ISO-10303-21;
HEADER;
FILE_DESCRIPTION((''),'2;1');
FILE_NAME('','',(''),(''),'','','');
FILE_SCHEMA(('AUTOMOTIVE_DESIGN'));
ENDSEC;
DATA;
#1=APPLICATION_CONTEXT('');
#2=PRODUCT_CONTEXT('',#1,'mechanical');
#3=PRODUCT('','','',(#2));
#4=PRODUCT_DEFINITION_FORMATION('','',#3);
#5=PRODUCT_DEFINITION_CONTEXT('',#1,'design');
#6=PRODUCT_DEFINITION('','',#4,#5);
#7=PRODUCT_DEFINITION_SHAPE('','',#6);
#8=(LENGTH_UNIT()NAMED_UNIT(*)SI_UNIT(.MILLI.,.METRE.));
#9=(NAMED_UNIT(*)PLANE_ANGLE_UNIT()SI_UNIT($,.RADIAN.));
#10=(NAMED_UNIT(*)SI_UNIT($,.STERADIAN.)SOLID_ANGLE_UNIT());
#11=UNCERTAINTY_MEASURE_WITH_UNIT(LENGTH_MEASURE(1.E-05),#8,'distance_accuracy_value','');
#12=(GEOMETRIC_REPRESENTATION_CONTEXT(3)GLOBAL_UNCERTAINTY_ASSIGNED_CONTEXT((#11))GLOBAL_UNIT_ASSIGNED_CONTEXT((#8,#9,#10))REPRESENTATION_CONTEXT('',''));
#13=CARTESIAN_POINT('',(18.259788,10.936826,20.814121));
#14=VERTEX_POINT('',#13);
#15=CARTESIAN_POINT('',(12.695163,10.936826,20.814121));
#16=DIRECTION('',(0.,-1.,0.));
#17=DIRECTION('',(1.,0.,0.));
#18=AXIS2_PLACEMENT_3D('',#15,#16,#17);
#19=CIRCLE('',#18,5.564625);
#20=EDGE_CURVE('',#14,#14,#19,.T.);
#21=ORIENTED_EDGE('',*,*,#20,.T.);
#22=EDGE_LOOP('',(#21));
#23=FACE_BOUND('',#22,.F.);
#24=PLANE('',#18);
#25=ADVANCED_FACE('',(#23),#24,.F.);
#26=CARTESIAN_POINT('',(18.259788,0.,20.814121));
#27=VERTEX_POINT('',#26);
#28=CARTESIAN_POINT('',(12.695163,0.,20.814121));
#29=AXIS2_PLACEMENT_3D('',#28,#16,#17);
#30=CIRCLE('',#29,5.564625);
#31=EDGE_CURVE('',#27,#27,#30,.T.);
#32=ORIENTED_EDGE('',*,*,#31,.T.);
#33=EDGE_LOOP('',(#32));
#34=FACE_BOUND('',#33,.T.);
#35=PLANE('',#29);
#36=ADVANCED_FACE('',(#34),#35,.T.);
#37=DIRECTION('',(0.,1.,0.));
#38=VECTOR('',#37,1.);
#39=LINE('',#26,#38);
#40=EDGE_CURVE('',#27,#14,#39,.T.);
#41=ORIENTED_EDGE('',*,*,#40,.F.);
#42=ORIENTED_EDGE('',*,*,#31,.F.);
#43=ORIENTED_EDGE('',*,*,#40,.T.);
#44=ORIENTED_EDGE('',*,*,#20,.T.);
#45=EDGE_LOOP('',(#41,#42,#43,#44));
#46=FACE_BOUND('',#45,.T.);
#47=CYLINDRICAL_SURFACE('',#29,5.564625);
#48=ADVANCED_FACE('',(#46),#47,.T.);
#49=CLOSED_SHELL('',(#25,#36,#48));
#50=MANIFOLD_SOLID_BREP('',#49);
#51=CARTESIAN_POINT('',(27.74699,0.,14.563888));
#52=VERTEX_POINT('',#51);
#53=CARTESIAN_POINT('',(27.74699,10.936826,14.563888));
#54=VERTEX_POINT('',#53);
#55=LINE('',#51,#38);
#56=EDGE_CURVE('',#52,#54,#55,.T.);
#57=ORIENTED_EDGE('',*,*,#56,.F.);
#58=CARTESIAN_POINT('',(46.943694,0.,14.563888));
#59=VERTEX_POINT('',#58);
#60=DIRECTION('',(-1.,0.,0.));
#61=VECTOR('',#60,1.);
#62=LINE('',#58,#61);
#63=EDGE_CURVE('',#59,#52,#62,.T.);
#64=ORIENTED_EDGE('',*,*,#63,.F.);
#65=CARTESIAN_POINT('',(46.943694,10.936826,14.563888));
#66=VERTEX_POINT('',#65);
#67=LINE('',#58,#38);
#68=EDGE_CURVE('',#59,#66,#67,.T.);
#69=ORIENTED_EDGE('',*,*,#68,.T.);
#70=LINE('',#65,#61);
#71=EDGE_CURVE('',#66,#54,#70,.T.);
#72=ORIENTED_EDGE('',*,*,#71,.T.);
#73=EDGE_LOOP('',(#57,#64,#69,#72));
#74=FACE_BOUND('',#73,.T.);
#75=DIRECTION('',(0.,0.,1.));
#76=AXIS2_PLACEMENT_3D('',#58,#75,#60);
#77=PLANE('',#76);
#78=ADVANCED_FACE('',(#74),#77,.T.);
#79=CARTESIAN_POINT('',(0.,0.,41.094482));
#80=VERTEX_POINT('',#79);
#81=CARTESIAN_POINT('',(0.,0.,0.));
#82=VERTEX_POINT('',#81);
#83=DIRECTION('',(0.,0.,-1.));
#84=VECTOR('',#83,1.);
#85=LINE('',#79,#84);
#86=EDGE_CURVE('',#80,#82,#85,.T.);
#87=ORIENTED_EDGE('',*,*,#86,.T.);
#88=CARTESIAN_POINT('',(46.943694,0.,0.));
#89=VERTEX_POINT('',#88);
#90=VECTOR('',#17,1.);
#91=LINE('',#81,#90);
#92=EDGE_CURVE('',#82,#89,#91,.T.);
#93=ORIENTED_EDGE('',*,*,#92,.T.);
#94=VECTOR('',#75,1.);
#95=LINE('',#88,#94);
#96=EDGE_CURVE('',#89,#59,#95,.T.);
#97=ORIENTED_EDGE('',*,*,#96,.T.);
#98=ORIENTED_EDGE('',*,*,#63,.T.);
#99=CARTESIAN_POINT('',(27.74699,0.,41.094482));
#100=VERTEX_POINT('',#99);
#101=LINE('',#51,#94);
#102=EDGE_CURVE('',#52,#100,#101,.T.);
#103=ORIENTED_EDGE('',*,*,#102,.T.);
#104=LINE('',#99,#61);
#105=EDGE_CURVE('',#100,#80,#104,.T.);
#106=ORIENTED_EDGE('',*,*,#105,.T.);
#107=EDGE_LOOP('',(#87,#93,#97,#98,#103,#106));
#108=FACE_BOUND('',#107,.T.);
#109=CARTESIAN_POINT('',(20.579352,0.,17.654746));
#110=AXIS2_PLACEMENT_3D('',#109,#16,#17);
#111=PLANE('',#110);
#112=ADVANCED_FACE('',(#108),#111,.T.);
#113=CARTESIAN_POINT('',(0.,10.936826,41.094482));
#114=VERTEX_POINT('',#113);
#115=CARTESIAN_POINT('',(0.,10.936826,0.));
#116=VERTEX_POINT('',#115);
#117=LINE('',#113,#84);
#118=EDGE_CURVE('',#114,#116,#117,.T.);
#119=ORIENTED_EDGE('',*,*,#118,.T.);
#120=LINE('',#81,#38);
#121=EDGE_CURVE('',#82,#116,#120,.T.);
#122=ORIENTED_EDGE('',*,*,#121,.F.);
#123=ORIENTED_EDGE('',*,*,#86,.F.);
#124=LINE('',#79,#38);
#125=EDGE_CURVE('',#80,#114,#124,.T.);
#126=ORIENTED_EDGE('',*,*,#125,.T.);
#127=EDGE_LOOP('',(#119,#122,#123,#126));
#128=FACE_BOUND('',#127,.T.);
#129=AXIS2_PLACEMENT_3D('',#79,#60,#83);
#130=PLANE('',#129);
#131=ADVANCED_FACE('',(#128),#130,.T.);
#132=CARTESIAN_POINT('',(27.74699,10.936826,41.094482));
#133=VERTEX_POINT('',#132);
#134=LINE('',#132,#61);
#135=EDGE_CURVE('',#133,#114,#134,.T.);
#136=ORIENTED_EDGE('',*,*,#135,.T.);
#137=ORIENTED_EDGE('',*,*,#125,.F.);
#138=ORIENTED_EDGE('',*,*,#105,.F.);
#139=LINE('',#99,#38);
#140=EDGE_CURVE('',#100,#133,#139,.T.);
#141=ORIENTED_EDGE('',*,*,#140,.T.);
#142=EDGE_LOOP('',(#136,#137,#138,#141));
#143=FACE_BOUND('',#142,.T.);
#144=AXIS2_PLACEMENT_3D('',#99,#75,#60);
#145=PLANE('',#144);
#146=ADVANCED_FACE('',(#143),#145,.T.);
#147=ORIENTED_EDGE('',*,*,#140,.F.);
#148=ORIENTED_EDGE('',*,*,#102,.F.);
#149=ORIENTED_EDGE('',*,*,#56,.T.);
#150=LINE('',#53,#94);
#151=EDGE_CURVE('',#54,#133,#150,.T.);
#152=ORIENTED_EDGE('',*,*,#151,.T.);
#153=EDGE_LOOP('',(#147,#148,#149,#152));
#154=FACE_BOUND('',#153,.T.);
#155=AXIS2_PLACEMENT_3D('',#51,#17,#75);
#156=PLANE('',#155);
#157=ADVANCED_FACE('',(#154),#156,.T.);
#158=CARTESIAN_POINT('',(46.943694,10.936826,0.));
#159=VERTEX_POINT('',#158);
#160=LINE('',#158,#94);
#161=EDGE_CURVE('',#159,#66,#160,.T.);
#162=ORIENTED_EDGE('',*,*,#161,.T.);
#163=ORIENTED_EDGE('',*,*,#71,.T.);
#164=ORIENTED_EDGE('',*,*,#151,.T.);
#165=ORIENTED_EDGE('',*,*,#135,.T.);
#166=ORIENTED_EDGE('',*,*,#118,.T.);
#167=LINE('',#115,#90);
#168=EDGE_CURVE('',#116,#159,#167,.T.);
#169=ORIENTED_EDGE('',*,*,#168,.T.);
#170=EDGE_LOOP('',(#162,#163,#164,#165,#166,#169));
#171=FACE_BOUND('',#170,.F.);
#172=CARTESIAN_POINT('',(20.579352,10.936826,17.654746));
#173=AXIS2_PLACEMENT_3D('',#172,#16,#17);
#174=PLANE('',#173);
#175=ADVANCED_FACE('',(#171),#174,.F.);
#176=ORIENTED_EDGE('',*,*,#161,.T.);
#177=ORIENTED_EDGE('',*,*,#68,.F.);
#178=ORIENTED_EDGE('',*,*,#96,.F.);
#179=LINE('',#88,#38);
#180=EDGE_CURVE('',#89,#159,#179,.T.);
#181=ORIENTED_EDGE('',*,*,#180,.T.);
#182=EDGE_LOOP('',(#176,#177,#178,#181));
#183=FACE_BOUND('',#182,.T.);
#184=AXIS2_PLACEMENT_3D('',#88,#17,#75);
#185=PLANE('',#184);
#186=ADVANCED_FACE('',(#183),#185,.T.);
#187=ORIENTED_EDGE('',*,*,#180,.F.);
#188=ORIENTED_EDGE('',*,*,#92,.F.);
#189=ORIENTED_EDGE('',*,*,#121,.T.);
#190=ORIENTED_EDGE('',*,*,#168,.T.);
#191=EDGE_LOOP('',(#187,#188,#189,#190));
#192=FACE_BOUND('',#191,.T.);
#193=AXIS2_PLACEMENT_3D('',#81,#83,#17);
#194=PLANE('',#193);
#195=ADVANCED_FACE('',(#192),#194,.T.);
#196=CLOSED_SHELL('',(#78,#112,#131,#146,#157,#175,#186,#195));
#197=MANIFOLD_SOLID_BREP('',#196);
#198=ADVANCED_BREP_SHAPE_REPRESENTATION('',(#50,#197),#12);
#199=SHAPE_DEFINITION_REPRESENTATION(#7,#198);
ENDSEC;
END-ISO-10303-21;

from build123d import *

# Parameters (mm, degrees)
F2_DEPTH = 10.9368255362
F1_R     = 5.5646247605


with BuildPart() as f2:
    # F0 (on Front) → F2 (new body)
    with BuildSketch(Plane.XZ):
        Polygon((0, 41.094481945), (0, 0), (46.9436943531, 0), (46.9436943531, 14.5638883114), (27.7469903231, 14.5638883114), (27.7469903231, 41.094481945), align=None)
    extrude(amount=-F2_DEPTH)


with BuildPart() as f2b:
    # F1 (on Front) → F2, piece 2 (new body)
    with BuildSketch(Plane.XZ):
        with Locations((12.6951634884, 20.8141207695)):
            Circle(F1_R)
    extrude(amount=-F2_DEPTH)


solid = Compound([f2.part, f2b.part])
